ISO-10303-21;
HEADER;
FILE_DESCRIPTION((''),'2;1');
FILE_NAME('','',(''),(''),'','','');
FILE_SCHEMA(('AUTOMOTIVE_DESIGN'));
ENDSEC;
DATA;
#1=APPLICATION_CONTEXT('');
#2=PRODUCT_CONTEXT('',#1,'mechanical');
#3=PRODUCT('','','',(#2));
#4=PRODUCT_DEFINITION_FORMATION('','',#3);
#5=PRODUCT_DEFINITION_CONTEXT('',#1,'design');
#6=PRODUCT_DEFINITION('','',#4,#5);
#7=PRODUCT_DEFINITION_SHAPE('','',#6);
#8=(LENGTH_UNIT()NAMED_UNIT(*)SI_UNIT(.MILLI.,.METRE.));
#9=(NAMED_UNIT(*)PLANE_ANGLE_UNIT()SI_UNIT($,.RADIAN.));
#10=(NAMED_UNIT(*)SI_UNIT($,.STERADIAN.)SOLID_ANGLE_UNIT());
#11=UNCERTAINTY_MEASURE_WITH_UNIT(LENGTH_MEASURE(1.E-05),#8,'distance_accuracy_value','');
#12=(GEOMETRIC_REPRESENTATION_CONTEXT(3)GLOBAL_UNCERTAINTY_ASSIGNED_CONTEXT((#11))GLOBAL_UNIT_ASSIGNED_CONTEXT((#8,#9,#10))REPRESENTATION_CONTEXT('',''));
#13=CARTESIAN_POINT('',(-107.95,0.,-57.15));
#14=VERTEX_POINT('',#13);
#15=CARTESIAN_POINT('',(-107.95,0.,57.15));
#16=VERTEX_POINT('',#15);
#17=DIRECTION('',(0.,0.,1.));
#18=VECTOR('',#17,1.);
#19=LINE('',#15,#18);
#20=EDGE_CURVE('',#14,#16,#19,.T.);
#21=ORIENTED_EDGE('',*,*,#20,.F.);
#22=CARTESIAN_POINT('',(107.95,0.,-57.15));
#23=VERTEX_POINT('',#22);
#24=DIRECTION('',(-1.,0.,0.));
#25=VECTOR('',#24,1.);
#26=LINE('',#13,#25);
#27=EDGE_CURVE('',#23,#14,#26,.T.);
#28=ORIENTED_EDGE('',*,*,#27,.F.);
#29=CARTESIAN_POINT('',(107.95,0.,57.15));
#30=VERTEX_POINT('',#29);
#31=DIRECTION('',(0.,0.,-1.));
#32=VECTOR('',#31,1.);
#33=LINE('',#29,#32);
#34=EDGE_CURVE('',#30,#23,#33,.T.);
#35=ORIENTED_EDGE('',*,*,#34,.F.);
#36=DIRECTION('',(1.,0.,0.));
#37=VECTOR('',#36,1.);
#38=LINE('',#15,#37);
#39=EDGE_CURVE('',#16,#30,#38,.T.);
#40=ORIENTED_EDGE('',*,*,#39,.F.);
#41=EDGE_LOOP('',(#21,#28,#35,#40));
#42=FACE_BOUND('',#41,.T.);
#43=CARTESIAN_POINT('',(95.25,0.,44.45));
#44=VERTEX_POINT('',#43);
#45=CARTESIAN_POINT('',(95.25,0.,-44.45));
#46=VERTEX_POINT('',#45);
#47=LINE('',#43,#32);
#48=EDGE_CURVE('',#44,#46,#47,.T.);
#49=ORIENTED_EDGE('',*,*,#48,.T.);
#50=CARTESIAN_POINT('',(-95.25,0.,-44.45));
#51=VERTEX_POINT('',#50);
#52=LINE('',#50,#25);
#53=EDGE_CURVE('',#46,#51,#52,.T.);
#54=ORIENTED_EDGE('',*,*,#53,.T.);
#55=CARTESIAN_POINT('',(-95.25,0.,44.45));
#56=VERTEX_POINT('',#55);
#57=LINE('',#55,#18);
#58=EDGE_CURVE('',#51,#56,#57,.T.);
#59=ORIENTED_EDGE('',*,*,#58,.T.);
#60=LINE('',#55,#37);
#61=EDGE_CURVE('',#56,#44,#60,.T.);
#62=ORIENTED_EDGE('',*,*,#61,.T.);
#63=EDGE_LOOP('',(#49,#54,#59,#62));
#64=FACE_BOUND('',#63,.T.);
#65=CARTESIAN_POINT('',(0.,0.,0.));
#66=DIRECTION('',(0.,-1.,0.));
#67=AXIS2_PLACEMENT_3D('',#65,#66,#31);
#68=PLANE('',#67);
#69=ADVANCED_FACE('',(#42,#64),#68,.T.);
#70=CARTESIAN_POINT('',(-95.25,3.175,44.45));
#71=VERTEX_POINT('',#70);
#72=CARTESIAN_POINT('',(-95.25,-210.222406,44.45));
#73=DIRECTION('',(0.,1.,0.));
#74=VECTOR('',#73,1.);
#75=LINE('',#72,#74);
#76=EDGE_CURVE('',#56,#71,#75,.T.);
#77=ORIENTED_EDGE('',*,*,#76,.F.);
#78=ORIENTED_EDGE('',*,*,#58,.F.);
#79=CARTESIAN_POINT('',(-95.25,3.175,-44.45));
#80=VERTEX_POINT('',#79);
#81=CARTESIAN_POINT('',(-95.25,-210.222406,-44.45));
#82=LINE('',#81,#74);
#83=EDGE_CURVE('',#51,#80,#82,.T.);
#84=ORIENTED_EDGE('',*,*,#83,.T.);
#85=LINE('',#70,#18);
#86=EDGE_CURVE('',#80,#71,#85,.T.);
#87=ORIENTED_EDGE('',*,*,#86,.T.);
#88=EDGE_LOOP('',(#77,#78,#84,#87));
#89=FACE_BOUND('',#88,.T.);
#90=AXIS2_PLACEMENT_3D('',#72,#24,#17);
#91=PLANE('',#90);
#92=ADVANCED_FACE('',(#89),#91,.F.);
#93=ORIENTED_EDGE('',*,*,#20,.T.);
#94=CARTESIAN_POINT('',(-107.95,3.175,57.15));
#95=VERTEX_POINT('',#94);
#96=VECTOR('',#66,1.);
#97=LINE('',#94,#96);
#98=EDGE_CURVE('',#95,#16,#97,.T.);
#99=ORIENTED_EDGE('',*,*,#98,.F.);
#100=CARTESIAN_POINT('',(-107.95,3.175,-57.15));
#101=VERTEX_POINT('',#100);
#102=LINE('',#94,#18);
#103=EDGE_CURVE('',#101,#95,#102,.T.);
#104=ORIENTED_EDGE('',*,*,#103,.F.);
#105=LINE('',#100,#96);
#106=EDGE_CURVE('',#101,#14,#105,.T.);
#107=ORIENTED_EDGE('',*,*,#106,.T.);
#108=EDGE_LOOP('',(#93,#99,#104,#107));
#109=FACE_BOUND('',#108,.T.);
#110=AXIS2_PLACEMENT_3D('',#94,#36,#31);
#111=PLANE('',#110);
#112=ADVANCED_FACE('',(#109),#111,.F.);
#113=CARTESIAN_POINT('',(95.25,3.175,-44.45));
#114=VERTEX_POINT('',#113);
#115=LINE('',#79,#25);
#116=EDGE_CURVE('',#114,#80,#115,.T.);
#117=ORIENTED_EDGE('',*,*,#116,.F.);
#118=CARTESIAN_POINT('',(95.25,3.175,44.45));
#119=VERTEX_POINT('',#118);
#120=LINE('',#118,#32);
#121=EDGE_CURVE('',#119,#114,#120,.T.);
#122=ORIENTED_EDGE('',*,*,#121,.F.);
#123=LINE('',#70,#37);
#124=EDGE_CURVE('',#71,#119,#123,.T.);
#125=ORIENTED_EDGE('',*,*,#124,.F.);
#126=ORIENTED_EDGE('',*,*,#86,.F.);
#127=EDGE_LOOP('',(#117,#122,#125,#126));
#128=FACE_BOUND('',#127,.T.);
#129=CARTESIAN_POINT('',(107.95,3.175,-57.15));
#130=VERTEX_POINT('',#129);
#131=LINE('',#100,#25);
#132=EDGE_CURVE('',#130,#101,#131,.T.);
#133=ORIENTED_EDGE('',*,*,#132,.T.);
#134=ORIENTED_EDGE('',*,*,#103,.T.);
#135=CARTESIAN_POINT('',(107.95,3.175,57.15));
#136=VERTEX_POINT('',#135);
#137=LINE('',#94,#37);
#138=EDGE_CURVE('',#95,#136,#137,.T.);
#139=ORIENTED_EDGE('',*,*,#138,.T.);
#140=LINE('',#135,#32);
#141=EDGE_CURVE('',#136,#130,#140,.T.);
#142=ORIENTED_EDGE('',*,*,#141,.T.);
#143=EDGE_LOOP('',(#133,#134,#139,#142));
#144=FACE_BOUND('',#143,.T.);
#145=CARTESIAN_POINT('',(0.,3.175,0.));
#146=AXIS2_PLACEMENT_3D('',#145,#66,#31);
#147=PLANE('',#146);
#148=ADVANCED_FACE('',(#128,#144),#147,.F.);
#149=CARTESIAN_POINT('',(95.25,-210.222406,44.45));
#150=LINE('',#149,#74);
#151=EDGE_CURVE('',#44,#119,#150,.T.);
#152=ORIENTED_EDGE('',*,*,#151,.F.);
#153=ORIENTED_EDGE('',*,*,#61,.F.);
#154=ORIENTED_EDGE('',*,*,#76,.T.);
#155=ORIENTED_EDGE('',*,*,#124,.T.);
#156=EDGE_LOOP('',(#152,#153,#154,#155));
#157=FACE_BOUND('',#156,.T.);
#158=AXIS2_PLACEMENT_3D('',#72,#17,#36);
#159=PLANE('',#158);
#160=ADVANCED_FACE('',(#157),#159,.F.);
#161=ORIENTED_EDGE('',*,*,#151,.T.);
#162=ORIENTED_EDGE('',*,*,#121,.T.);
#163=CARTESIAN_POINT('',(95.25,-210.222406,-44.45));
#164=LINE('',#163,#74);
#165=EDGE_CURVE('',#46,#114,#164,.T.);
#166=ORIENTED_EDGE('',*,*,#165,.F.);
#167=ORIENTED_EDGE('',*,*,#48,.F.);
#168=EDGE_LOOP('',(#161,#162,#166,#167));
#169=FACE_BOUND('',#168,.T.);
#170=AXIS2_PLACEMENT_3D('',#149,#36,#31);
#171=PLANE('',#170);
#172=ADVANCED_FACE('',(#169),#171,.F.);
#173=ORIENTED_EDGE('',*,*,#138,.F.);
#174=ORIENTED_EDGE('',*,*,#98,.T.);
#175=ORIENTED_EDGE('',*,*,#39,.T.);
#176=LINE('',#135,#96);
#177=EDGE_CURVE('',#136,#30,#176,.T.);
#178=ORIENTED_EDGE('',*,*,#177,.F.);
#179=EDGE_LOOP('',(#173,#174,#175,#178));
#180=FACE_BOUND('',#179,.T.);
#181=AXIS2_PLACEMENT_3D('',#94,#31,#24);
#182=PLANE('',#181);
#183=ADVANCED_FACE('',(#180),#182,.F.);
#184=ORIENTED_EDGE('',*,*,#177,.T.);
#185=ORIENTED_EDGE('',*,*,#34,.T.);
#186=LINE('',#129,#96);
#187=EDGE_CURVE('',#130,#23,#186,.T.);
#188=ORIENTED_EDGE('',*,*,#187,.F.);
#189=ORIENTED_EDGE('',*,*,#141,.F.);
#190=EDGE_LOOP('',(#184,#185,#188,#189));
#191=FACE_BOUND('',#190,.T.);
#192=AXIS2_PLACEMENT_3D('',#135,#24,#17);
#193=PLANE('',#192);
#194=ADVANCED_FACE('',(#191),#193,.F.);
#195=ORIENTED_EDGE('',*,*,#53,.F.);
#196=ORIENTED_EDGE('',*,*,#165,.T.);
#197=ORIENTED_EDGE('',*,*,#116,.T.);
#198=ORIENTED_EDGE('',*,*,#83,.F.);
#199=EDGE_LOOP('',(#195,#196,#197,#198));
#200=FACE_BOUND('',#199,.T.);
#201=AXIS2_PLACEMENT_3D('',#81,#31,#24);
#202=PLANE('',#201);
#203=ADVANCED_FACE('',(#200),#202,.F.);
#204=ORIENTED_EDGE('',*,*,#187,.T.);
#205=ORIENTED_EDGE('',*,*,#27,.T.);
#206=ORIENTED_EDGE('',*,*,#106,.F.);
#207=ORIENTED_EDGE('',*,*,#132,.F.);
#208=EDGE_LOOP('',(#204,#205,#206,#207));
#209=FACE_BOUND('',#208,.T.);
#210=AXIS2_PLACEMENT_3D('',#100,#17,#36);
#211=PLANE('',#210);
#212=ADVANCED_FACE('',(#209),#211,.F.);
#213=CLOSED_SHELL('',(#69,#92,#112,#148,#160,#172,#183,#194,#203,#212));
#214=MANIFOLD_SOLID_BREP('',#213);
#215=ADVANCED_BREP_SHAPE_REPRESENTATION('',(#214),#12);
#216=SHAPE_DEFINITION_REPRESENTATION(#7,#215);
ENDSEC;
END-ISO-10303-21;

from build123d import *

# Parameters (mm, degrees)
SKETCH1_W           = 215.9
SKETCH1_H           = 114.3
BOSS_EXTRUDE1_DEPTH = 3.175
SKETCH2_W           = 190.5
SKETCH2_H           = 88.9
CUT_EXTRUDE1_DEPTH  = 3.175


with BuildPart() as part:
    # Sketch1 → Boss-Extrude1 (new body)
    with BuildSketch(Plane(origin=(0, 0, 0), x_dir=(1, 0, 0), z_dir=(0, 1, 0))):
        Rectangle(SKETCH1_W, SKETCH1_H)
    extrude(amount=BOSS_EXTRUDE1_DEPTH)

    # Sketch2 → Cut-Extrude1 (cut)
    with BuildSketch(Plane(origin=(0, 3.175, 0), x_dir=(1, 0, 0), z_dir=(0, 1, 0))):
        Rectangle(SKETCH2_W, SKETCH2_H)
    extrude(amount=-CUT_EXTRUDE1_DEPTH, mode=Mode.SUBTRACT)


solid = part.part
